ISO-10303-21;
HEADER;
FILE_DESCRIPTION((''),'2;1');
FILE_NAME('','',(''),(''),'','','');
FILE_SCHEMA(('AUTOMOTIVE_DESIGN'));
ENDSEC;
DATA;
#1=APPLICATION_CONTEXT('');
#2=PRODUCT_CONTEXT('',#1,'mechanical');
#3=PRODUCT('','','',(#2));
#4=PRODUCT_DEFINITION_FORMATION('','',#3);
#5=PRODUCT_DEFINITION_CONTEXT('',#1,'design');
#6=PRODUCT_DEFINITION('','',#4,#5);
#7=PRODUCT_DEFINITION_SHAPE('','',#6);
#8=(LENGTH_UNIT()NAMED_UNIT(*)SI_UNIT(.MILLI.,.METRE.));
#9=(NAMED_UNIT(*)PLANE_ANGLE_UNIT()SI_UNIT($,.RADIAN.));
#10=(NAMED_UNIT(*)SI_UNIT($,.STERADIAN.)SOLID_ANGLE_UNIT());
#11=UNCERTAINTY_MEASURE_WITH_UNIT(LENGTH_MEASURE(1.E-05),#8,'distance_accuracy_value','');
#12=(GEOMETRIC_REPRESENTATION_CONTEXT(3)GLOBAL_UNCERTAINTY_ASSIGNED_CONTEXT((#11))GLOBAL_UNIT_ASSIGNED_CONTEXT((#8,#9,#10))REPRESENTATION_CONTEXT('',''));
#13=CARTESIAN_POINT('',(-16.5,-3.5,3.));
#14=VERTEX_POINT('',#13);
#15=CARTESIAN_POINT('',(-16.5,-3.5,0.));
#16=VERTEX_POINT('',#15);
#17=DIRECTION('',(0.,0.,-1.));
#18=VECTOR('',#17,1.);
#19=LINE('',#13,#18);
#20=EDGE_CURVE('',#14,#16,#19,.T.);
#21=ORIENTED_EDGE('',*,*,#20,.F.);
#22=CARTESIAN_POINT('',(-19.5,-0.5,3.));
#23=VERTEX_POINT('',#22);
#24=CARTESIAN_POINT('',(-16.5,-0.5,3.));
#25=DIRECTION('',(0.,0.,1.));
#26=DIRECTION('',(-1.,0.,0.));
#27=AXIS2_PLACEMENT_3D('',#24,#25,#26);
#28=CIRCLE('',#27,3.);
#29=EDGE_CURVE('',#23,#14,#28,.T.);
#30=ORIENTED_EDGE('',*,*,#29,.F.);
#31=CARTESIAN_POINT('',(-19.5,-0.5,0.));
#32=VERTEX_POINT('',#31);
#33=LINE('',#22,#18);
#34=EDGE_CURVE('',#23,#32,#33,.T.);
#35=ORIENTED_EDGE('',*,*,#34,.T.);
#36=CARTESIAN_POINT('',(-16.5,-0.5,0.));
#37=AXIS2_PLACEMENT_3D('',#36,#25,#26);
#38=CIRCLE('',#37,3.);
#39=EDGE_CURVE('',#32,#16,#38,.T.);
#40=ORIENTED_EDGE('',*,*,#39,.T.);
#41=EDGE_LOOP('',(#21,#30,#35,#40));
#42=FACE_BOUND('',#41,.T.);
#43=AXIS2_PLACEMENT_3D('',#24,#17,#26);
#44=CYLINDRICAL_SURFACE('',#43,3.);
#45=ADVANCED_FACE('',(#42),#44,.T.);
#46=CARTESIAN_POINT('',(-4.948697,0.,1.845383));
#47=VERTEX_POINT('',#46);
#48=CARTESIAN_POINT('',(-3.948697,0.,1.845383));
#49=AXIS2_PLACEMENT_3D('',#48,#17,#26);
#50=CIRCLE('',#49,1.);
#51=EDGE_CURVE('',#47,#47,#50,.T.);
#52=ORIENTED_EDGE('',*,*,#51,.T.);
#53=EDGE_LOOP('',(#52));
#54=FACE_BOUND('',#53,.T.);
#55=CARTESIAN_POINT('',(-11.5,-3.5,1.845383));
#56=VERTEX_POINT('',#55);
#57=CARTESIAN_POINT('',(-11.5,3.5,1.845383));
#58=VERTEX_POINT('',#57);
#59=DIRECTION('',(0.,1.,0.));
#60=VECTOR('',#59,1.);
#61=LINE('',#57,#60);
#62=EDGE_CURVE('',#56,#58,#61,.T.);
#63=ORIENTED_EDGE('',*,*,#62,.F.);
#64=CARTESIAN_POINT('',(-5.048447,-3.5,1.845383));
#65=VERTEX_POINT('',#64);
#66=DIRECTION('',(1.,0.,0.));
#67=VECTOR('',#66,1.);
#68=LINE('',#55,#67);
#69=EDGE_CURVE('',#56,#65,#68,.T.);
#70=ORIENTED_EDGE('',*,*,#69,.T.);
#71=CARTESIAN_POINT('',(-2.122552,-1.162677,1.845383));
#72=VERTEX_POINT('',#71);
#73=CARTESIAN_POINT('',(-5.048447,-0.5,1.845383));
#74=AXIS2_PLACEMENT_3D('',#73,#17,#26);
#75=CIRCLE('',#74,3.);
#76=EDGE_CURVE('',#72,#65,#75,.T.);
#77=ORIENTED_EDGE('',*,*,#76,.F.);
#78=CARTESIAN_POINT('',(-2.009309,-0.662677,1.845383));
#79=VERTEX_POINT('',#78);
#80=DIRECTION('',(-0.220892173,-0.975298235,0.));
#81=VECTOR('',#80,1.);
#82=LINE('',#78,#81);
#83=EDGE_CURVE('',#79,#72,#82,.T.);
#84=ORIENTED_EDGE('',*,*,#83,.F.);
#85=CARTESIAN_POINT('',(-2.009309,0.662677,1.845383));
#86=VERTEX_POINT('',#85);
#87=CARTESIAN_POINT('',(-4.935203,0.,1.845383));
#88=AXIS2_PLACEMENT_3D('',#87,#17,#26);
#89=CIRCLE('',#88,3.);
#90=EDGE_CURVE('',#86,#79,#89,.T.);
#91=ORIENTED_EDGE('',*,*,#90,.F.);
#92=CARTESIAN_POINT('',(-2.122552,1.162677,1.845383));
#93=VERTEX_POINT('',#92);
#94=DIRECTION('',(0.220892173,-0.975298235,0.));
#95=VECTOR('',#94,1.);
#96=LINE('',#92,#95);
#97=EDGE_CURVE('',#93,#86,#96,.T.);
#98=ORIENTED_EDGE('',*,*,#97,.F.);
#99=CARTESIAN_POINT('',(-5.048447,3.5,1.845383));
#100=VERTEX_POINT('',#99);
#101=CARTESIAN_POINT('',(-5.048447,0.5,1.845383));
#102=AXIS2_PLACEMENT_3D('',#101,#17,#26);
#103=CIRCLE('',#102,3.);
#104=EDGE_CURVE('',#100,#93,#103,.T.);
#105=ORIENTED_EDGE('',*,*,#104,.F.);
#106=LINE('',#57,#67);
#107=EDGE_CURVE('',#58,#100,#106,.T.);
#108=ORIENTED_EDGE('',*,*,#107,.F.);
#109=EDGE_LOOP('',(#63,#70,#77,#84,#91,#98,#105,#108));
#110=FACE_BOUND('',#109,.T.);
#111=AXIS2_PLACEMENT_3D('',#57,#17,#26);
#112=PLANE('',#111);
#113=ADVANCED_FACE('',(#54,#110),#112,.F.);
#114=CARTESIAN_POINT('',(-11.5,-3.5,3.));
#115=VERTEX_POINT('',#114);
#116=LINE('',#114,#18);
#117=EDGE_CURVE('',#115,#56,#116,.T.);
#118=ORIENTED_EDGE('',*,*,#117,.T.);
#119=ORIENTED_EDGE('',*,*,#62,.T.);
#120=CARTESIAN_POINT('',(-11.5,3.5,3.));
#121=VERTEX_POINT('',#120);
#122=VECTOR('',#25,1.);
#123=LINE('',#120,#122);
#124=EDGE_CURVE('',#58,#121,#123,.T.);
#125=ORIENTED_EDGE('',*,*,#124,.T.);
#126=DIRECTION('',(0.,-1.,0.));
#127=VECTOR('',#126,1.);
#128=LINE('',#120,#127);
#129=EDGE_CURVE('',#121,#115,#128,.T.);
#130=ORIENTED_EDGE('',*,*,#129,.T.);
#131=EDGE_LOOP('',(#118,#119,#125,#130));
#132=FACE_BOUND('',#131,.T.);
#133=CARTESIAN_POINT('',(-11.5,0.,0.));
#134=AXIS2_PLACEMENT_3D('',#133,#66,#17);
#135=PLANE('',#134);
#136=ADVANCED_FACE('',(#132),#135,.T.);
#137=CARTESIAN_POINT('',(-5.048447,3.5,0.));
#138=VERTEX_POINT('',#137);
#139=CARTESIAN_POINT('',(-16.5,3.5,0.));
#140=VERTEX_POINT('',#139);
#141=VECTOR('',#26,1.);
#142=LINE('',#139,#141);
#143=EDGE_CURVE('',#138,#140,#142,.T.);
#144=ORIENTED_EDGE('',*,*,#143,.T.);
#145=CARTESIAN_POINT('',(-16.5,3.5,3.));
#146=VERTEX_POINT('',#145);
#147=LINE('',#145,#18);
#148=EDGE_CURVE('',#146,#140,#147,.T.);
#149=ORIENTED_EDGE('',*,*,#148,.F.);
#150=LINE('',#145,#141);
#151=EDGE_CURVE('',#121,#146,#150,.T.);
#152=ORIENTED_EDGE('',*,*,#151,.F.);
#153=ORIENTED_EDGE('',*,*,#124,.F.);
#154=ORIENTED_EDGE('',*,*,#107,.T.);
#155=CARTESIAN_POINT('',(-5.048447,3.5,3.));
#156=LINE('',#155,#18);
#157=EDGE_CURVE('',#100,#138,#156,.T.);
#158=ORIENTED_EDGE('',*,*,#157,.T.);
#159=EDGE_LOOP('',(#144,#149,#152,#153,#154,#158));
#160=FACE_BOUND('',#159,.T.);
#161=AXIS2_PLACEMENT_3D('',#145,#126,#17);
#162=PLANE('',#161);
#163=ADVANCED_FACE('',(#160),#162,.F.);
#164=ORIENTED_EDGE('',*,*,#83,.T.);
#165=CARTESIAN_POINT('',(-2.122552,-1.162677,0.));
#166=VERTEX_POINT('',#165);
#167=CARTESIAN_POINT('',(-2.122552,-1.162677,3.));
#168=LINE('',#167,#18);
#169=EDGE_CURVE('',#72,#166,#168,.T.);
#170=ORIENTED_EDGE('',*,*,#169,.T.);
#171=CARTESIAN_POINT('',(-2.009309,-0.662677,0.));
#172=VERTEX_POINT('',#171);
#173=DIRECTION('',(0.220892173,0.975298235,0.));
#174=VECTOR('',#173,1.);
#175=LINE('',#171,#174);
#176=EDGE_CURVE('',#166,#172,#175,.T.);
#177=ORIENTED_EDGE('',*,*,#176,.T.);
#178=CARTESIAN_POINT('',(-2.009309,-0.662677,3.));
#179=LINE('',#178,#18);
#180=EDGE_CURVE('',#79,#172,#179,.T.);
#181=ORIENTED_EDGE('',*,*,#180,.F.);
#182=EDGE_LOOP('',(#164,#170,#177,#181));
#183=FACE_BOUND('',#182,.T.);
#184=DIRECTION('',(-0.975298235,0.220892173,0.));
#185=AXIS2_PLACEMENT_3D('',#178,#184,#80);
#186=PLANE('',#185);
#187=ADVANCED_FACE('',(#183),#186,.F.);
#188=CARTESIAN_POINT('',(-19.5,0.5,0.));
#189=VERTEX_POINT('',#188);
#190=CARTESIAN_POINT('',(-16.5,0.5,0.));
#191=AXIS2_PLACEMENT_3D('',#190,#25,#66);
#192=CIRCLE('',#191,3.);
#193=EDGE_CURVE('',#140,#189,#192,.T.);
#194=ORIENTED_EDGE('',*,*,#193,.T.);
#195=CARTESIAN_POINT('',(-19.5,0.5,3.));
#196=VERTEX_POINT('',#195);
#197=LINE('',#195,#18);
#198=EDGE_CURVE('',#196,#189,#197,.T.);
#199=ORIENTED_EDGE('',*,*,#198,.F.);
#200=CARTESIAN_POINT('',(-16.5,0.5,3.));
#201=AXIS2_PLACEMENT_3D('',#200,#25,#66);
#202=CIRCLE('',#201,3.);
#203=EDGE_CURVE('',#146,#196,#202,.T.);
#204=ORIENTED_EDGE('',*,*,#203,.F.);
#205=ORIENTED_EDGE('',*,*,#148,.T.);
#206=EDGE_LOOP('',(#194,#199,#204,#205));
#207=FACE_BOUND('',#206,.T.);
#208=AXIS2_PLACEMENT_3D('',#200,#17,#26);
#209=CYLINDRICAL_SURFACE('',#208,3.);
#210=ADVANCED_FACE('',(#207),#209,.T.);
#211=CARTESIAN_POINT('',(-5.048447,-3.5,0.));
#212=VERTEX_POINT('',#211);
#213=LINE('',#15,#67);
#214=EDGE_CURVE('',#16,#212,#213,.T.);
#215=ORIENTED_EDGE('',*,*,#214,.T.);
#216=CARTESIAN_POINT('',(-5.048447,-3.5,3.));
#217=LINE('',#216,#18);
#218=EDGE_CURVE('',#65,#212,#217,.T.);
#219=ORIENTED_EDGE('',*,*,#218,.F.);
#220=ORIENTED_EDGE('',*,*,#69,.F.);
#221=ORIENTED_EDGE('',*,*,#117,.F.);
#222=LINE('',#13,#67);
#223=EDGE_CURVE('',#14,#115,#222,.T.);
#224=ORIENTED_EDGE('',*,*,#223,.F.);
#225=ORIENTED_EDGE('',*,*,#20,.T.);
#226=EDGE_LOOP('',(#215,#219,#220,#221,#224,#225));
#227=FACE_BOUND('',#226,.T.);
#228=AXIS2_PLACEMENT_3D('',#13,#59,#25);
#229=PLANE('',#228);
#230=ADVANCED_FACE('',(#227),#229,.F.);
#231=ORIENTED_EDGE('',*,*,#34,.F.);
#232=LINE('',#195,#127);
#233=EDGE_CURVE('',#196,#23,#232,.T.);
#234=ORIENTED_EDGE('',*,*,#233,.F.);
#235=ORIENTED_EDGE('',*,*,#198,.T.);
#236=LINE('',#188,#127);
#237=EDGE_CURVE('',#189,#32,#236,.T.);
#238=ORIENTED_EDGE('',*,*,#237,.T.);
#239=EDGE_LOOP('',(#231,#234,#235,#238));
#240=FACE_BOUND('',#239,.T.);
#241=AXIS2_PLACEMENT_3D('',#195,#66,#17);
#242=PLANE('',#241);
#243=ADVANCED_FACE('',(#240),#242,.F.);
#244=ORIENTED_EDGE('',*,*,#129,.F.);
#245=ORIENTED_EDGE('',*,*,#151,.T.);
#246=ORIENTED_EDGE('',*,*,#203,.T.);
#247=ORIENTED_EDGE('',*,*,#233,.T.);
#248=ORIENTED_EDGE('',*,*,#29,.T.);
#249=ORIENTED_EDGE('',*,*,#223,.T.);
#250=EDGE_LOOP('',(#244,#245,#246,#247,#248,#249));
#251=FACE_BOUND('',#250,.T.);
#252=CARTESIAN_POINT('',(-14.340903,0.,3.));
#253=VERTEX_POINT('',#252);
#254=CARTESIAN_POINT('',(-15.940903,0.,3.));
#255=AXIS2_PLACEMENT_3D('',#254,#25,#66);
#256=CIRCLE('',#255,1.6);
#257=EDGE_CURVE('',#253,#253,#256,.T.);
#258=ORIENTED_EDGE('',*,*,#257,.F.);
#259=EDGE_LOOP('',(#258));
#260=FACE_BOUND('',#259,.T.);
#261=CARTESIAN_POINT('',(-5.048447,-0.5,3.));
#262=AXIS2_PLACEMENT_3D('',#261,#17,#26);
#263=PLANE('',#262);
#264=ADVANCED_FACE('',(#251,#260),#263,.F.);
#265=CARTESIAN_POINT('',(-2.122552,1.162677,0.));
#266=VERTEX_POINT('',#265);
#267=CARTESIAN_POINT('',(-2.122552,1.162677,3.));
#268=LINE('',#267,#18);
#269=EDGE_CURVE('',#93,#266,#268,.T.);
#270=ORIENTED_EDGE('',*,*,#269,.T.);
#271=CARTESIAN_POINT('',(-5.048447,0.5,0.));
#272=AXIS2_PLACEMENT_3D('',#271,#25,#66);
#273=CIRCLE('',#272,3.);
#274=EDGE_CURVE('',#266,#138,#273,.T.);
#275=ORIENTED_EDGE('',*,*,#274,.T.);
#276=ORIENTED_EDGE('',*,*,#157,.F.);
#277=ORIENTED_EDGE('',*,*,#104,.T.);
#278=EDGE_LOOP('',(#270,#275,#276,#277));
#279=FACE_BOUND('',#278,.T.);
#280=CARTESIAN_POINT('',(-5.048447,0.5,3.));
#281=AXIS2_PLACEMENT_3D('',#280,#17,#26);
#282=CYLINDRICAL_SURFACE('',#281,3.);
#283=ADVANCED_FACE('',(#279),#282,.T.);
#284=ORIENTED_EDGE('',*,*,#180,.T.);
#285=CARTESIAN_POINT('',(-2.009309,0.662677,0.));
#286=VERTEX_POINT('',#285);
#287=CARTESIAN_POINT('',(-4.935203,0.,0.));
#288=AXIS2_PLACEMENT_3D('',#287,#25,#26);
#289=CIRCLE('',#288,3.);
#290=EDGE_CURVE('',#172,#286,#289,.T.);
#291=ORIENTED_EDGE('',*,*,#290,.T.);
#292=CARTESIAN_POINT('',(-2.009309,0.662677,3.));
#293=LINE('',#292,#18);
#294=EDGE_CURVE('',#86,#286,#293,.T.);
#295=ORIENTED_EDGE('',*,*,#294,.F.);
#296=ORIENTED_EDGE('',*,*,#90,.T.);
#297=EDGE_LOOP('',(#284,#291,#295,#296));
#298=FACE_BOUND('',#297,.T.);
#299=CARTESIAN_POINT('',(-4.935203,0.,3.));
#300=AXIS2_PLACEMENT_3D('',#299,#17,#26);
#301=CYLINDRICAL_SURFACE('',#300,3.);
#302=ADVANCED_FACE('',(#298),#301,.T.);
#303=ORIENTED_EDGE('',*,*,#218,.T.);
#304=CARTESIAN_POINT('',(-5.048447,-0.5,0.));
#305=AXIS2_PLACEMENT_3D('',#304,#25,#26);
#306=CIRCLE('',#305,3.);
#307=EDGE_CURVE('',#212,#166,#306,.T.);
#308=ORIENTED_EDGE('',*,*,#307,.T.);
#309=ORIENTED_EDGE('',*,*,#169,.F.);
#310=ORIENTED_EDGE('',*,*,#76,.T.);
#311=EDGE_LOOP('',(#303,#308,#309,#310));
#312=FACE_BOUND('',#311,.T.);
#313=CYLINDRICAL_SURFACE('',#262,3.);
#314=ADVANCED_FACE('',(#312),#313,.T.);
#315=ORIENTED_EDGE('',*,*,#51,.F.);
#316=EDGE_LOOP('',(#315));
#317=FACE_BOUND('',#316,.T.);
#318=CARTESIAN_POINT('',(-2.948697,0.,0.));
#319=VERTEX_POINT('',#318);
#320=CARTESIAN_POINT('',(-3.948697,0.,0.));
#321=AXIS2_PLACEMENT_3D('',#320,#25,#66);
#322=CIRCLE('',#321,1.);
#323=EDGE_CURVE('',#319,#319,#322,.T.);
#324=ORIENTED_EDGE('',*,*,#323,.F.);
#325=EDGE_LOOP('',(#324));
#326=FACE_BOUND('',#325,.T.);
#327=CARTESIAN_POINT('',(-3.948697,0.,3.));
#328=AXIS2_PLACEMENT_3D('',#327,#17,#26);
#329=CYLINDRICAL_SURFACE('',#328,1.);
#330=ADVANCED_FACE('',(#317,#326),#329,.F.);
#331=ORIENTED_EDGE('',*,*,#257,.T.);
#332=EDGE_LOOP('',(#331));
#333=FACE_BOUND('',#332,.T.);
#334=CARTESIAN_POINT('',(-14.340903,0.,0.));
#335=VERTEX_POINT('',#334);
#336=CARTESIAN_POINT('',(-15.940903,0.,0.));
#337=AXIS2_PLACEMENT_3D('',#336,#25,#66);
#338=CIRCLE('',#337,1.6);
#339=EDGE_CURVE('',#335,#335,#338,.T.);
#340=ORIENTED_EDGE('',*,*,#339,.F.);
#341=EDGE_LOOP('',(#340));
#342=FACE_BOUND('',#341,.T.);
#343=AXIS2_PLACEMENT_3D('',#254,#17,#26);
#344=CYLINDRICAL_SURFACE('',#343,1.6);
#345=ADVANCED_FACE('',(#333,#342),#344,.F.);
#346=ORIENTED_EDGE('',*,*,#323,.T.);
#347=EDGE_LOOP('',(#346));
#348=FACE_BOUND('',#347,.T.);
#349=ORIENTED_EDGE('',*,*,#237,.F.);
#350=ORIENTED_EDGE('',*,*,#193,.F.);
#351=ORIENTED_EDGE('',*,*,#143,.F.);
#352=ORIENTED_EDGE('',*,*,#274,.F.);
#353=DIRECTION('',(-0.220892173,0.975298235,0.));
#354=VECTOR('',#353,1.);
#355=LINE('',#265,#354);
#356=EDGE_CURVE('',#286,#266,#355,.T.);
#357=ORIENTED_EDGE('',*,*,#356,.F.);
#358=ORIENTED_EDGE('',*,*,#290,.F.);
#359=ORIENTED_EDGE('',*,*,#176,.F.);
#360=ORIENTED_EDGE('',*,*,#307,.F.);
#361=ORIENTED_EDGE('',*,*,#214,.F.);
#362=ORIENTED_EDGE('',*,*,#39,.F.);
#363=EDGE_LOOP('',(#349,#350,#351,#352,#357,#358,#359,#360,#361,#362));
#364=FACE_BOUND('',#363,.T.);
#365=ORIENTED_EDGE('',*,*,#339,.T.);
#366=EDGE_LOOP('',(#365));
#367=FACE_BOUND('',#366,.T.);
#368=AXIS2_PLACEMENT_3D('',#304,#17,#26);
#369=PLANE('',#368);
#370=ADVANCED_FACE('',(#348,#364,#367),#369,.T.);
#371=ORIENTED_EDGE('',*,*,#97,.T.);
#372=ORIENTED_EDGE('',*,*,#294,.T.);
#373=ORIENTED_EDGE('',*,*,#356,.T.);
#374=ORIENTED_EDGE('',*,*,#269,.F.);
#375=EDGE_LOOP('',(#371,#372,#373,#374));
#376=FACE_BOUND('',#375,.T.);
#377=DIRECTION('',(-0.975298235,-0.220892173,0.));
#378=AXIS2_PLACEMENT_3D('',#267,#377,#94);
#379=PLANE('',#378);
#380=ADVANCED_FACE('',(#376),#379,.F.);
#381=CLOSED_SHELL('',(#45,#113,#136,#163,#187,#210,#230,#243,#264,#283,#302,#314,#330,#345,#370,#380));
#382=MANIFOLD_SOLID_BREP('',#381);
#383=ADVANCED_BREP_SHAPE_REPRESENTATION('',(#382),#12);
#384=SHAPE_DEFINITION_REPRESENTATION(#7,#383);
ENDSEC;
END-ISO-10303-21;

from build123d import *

# Parameters (mm, degrees)
IZIM1_R                     = 1.6
IZIM1_R_2                   = 1
Y_KSEKLIK_EKSTR_ZYON1_DEPTH = 3
IZIM2_W                     = 1.154616757
IZIM2_H                     = 7
KES_EKSTR_ZYON1_DEPTH       = 11.5


with BuildPart() as part:
    # Çizim1 → Yükseklik-Ekstrüzyon1 (new body)
    with BuildSketch(Plane.XY):
        with BuildLine():
            Line((-19.5, 0.5), (-19.5, -0.5))
            ThreePointArc((-19.5, -0.5), (-18.621320344, -2.621320344), (-16.5, -3.5))
            Line((-16.5, -3.5), (-5.048446869, -3.5))
            ThreePointArc((-5.048446869, -3.5), (-3.176019241, -2.843931479), (-2.122552163, -1.162676519))
            Line((-2.122552163, -1.162676519), (-2.009308765, -0.662676519))
            ThreePointArc((-2.009308765, -0.662676519), (-1.935203471, 0), (-2.009308765, 0.662676519))
            Line((-2.009308765, 0.662676519), (-2.122552163, 1.162676519))
            ThreePointArc((-2.122552163, 1.162676519), (-3.176019241, 2.843931479), (-5.048446869, 3.5))
            Line((-5.048446869, 3.5), (-16.5, 3.5))
            ThreePointArc((-16.5, 3.5), (-18.621320344, 2.621320344), (-19.5, 0.5))
        make_face()
        with Locations((-15.940902873, 0)):
            Circle(IZIM1_R, mode=Mode.SUBTRACT)
        with Locations((-3.94869662, 0)):
            Circle(IZIM1_R_2, mode=Mode.SUBTRACT)
    extrude(amount=Y_KSEKLIK_EKSTR_ZYON1_DEPTH)

    # Çizim2 → Kes-Ekstrüzyon1 (cut, symmetric)
    with BuildSketch(Plane(origin=(0, 0, 0), x_dir=(0, 0, -1), z_dir=(1, 0, 0))):
        with Locations((-2.422691622, 0)):
            Rectangle(IZIM2_W, IZIM2_H)
    extrude(amount=KES_EKSTR_ZYON1_DEPTH, both=True, mode=Mode.SUBTRACT)


solid = part.part
